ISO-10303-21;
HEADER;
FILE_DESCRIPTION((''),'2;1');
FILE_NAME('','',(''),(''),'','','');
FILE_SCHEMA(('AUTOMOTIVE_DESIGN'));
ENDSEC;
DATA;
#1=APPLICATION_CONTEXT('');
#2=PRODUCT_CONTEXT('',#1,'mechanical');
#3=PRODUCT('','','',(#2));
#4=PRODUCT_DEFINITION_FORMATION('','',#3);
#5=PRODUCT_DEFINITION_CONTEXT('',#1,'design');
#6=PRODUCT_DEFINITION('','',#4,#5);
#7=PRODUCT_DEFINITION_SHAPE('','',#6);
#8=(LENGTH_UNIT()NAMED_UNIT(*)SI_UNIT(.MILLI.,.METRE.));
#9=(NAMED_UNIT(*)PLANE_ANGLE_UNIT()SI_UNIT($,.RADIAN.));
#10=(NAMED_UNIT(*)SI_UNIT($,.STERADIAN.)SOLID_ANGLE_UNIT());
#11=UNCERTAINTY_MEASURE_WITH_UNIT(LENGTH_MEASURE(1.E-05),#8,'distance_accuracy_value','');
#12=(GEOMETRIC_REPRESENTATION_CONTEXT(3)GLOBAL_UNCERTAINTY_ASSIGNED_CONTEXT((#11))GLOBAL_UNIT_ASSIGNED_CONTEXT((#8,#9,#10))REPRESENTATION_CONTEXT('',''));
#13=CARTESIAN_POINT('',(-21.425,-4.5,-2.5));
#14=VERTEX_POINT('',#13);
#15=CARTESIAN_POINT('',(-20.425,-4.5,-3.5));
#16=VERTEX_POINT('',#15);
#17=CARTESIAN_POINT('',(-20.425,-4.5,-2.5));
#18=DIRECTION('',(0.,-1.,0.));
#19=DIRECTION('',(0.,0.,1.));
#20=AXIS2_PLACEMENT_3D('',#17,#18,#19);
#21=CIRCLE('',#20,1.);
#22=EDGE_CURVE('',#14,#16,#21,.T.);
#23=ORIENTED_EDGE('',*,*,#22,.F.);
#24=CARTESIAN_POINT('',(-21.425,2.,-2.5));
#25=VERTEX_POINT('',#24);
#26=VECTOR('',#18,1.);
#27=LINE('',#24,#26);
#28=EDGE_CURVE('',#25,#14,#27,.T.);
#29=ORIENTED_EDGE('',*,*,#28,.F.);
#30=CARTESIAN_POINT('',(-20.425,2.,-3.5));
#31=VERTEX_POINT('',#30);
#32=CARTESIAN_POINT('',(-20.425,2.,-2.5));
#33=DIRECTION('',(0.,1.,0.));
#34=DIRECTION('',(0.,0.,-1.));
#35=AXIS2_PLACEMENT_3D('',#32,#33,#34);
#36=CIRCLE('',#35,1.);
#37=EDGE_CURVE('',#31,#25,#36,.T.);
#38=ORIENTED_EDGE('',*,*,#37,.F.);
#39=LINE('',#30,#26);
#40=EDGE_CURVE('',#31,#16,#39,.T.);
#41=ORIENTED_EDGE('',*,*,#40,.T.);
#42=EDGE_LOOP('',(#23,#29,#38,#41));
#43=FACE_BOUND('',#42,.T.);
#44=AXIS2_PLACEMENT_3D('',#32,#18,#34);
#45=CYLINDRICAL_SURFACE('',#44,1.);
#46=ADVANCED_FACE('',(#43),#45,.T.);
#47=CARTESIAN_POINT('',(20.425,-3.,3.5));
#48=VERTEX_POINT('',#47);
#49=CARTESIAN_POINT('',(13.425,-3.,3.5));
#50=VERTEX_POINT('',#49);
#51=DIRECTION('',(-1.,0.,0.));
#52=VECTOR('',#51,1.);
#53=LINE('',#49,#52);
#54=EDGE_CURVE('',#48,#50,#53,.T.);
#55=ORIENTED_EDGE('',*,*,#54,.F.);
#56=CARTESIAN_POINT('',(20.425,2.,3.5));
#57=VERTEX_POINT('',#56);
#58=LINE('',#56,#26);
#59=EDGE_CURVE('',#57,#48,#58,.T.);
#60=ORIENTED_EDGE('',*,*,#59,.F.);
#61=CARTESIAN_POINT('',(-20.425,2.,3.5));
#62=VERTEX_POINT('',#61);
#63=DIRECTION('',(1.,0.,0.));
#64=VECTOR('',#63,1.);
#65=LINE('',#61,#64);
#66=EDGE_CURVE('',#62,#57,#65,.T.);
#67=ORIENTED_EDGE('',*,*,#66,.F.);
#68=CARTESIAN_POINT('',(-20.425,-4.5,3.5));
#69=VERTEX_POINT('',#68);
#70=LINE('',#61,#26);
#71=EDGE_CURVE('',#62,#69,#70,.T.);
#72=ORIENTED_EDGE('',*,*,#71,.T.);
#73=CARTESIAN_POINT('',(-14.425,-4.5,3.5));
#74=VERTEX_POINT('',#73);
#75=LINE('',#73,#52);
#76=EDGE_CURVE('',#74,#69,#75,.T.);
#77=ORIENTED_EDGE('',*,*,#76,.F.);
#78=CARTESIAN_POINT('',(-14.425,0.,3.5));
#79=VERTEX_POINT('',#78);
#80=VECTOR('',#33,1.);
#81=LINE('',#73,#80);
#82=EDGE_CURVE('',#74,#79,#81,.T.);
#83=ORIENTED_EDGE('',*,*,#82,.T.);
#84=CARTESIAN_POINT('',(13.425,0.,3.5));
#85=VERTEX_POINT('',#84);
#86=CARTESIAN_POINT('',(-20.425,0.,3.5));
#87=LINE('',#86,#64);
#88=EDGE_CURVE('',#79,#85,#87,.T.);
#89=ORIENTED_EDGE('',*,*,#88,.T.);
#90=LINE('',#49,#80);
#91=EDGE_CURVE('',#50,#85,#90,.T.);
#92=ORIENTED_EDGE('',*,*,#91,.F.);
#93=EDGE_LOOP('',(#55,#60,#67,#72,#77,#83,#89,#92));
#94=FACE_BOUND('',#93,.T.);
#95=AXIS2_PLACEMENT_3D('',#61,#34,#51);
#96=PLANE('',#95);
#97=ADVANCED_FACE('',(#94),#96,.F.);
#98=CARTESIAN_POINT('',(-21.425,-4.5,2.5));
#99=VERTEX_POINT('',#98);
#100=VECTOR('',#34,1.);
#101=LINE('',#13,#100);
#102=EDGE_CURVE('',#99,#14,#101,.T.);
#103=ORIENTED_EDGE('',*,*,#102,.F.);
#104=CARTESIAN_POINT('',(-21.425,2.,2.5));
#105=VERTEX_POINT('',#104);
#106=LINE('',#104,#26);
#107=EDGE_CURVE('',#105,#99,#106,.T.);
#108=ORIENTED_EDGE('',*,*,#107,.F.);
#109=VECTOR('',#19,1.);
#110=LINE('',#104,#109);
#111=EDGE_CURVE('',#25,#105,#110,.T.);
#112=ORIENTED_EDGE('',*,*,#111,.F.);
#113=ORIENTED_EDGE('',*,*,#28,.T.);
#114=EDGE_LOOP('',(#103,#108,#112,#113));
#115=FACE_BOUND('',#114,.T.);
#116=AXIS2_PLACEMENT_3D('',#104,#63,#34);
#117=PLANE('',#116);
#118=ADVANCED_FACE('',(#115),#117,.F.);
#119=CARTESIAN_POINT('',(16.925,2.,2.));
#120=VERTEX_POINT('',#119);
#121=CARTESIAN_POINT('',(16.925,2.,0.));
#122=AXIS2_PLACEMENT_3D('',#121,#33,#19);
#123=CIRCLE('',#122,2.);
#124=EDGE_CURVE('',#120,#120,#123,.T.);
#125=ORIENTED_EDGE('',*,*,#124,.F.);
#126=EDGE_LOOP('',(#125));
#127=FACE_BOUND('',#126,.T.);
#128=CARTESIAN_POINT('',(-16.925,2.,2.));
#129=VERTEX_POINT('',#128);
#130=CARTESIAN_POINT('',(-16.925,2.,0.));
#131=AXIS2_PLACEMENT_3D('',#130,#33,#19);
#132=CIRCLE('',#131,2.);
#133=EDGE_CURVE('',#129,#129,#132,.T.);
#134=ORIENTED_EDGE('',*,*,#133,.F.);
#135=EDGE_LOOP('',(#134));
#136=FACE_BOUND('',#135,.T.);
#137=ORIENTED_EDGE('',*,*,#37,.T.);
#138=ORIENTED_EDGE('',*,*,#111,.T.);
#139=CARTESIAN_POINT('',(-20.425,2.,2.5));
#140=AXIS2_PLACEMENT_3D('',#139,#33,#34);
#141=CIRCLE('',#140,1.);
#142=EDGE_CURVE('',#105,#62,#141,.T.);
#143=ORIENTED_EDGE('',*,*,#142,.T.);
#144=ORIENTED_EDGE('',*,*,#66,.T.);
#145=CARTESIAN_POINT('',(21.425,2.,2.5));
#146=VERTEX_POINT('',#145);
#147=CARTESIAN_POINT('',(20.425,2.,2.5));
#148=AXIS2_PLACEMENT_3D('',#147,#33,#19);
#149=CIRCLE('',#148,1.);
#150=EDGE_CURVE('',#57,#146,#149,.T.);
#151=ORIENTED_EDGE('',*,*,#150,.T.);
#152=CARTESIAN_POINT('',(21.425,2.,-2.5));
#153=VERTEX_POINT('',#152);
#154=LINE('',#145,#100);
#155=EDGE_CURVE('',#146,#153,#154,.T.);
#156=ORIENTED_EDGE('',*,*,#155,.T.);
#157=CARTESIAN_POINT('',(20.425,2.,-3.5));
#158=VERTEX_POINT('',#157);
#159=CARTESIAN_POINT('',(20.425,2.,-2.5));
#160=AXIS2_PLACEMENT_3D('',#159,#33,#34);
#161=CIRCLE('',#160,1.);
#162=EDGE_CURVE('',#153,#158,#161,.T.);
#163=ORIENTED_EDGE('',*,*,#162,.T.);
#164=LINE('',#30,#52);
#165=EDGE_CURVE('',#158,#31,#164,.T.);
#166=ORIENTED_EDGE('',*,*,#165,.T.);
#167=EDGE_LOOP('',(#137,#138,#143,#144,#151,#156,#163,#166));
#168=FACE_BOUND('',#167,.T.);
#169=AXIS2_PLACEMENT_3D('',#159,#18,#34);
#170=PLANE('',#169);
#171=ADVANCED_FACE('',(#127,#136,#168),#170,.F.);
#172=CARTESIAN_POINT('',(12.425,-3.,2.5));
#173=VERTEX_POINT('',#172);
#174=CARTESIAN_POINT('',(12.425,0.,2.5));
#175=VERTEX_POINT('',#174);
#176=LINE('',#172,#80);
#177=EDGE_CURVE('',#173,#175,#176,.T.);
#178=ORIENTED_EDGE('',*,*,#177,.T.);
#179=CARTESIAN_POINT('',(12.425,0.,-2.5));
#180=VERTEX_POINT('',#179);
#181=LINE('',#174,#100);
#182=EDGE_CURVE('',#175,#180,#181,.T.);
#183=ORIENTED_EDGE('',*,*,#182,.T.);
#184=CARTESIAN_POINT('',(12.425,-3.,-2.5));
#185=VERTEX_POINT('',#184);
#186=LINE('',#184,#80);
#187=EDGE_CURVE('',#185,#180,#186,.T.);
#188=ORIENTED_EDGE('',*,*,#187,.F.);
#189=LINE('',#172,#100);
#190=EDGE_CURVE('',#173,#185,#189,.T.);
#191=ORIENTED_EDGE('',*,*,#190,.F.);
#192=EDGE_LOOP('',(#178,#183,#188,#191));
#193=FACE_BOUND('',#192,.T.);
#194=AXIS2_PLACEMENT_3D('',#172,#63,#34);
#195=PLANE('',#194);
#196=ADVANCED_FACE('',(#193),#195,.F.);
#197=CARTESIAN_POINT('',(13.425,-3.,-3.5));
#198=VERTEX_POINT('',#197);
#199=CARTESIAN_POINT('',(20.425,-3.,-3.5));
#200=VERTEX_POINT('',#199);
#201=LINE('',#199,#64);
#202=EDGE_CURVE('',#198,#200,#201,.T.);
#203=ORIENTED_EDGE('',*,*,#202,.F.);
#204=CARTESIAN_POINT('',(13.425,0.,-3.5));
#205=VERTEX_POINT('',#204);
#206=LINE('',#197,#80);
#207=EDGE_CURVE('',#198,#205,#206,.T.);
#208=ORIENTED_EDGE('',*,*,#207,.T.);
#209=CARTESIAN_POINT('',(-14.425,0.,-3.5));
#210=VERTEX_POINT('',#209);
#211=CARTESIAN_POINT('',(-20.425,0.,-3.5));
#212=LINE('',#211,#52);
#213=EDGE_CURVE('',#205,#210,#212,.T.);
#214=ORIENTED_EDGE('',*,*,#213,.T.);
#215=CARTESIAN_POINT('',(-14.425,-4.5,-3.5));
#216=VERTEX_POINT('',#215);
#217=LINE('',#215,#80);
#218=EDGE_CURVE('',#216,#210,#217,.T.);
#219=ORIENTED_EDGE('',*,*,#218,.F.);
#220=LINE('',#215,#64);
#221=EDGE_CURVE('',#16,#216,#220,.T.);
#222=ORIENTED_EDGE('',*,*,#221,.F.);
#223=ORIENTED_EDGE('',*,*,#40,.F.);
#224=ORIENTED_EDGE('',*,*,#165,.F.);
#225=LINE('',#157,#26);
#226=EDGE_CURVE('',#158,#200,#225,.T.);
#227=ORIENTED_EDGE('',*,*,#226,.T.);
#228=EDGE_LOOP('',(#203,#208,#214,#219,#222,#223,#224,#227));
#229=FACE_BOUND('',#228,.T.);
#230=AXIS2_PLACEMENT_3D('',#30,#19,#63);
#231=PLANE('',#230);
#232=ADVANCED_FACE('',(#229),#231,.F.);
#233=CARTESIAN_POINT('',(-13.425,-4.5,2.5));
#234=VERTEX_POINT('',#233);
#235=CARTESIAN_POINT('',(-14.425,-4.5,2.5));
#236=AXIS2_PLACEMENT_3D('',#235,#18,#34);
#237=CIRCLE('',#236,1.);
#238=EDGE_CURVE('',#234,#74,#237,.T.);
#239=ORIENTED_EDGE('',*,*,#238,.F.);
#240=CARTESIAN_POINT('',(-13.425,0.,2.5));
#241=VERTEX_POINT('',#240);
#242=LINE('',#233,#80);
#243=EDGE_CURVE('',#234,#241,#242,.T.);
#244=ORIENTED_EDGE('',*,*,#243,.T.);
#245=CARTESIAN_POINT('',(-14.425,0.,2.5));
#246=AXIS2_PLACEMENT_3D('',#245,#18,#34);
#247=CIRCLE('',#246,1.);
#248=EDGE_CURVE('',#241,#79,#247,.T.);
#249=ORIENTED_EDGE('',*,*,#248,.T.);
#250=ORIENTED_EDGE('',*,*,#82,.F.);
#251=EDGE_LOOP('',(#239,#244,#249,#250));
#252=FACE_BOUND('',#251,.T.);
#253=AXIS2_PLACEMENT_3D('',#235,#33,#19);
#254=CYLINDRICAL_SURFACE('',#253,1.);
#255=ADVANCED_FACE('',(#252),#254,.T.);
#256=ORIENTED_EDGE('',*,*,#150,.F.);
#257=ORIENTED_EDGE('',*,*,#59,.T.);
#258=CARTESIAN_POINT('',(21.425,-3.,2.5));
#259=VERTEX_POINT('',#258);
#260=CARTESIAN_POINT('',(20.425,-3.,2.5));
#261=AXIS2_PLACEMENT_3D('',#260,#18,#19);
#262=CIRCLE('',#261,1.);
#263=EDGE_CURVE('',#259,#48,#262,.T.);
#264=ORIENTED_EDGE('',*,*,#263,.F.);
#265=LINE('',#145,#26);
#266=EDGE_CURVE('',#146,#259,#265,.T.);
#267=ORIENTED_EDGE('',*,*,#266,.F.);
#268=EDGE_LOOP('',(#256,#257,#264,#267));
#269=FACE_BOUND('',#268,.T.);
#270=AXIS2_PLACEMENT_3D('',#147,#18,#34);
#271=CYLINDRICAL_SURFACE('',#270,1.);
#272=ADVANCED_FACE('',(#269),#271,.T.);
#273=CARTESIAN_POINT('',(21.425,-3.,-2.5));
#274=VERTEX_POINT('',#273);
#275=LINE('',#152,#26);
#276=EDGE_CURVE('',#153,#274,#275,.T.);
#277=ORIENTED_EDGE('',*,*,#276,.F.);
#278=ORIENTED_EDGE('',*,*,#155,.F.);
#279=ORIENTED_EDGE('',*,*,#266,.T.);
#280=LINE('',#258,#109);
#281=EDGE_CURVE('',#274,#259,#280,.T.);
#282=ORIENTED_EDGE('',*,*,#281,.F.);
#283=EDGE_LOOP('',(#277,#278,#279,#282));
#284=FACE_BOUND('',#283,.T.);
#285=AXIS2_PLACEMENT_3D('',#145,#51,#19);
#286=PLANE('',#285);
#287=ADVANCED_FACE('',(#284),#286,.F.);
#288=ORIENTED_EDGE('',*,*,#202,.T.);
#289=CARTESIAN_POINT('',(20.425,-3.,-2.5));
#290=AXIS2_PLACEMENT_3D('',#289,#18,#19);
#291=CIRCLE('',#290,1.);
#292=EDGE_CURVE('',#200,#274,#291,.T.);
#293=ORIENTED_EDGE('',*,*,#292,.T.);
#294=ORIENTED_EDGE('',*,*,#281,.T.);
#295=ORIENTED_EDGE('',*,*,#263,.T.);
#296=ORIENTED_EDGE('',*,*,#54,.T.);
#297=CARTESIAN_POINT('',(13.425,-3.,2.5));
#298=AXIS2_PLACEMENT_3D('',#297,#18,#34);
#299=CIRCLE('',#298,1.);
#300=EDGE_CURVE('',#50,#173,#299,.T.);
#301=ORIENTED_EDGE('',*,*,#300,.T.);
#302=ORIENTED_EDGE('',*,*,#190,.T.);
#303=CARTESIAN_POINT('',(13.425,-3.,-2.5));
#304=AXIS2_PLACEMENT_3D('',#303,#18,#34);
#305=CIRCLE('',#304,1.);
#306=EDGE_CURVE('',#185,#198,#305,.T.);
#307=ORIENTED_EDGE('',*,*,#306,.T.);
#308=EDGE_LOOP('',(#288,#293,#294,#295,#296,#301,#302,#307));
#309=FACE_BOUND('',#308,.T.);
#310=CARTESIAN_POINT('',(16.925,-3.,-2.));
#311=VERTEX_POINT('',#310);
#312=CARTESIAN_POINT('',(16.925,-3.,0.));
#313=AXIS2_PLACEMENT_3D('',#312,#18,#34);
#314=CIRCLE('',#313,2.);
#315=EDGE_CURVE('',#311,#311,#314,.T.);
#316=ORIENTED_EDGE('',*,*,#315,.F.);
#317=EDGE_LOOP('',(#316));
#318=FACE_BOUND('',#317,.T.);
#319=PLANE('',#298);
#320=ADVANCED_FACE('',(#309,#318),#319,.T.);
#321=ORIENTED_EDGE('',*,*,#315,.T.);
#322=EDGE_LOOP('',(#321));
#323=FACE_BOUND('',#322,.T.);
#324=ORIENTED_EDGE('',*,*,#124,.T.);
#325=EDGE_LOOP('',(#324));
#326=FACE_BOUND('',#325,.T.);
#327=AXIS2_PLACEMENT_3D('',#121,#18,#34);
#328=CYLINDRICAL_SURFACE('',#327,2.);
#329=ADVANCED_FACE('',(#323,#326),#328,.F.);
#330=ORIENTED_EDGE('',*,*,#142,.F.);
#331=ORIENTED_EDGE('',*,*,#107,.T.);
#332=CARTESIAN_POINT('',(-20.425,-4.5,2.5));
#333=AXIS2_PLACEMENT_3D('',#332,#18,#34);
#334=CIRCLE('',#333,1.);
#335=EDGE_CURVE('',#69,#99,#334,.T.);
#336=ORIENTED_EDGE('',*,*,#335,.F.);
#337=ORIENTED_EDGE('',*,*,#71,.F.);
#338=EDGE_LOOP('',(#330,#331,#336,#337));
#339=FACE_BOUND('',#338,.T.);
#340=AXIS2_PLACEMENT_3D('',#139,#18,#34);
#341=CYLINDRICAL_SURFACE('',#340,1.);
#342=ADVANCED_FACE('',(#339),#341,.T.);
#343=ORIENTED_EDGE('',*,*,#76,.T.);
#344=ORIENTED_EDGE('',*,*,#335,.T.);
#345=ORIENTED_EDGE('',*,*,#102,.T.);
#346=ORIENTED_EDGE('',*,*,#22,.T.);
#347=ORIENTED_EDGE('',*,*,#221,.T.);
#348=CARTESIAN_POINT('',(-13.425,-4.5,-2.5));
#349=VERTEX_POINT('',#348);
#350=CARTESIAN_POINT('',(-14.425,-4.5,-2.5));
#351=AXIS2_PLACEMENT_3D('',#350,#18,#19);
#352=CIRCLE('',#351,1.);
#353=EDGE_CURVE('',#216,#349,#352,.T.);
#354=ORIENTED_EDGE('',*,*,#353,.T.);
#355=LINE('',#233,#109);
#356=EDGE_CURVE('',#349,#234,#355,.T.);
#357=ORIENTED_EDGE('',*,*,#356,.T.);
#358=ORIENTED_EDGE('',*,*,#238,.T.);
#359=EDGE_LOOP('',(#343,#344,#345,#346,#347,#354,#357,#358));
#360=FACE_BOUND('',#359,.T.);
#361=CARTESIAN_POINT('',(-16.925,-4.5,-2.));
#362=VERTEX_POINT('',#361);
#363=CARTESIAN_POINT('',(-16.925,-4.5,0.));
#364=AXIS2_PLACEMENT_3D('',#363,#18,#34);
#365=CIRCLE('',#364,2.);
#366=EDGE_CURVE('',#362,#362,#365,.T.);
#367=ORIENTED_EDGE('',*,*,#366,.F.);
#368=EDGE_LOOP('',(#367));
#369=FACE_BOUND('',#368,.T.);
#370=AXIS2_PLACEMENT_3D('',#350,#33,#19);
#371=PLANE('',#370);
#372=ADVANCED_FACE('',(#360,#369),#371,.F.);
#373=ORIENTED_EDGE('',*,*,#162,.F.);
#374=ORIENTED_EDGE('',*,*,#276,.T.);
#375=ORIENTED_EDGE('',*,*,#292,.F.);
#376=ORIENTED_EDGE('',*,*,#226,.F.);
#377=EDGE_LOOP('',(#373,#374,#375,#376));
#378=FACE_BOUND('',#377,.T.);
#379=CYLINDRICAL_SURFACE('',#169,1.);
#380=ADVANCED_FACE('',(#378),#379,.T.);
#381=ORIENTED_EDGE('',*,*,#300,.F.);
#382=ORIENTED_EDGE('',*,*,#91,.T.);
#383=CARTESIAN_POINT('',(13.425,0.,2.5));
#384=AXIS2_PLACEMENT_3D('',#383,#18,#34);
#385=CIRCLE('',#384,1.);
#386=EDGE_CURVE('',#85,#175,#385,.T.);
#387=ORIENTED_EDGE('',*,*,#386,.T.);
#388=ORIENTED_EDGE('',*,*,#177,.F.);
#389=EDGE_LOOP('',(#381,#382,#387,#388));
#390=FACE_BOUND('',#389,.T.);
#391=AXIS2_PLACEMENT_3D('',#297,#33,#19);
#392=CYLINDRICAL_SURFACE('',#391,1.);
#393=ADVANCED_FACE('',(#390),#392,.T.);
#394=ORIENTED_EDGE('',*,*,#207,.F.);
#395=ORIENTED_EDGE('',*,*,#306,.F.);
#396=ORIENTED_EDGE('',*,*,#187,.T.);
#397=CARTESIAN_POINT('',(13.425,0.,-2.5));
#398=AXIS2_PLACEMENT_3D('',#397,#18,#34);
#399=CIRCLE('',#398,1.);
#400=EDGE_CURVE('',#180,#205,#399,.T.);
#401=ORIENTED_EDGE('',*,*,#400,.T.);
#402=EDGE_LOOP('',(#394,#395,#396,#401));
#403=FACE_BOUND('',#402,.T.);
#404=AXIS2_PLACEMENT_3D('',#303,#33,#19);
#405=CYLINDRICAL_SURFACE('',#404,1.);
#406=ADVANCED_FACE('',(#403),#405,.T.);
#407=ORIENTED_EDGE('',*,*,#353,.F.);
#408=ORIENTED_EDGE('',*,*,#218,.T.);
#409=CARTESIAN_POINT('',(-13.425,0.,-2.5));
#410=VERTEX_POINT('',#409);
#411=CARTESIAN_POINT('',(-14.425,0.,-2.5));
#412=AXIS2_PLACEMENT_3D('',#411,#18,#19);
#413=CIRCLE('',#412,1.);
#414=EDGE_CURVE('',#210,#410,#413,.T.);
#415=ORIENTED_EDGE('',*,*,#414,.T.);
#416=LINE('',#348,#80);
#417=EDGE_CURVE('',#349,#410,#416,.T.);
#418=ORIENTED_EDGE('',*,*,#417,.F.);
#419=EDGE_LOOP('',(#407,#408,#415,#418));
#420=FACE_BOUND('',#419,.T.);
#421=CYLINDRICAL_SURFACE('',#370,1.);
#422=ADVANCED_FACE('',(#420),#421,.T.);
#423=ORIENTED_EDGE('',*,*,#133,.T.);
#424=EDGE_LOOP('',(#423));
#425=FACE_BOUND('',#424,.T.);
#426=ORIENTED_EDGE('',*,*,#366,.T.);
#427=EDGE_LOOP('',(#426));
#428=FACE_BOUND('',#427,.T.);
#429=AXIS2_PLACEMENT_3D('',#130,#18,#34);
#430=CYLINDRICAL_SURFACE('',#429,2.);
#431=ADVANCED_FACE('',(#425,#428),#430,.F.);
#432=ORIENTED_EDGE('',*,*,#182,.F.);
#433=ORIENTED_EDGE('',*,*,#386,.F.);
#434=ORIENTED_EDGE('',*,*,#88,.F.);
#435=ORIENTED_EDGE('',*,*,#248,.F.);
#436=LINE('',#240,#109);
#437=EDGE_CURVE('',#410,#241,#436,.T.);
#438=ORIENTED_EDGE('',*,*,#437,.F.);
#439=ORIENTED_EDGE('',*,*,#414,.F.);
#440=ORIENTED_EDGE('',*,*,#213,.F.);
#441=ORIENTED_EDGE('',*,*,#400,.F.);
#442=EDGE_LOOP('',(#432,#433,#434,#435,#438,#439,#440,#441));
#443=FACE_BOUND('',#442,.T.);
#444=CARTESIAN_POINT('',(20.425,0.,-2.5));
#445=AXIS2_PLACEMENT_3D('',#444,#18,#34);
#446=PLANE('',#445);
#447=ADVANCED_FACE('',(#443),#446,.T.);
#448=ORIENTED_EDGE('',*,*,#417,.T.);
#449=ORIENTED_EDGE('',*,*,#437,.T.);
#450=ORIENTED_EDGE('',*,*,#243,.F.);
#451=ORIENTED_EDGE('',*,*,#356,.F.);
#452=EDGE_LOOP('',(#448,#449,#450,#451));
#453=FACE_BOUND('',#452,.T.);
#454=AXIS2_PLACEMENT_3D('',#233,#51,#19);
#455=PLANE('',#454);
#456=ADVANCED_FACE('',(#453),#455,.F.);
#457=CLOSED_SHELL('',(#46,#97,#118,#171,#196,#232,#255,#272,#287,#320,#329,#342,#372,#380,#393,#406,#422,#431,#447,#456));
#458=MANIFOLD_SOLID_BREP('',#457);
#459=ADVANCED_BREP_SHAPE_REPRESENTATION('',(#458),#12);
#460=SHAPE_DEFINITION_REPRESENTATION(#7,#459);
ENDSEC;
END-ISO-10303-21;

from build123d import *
from build123d.topology import SkipClean

# Parameters (mm, degrees)
SKETCH1_R           = 2
BOSS_EXTRUDE1_DEPTH = 2
BOSS_EXTRUDE2_START = 4.5
SKETCH2_R           = 2
BOSS_EXTRUDE2_DEPTH = 4.5
BOSS_EXTRUDE3_START = 3
SKETCH3_R           = 2
BOSS_EXTRUDE3_DEPTH = 3


with BuildPart() as part:
    # Sketch1 → Boss-Extrude1 (new body)
    with BuildSketch(Plane(origin=(0, 0, 0), x_dir=(1, 0, 0), z_dir=(0, 1, 0))):
        with BuildLine():
            Line((-20.425, -3.5), (20.425, -3.5))
            ThreePointArc((20.425, -3.5), (21.132106781, -3.207106781), (21.425, -2.5))
            Line((21.425, -2.5), (21.425, 2.5))
            ThreePointArc((21.425, 2.5), (21.132106781, 3.207106781), (20.425, 3.5))
            Line((20.425, 3.5), (-20.425, 3.5))
            ThreePointArc((-20.425, 3.5), (-21.132106781, 3.207106781), (-21.425, 2.5))
            Line((-21.425, 2.5), (-21.425, -2.5))
            ThreePointArc((-21.425, -2.5), (-21.132106781, -3.207106781), (-20.425, -3.5))
        make_face()
        with Locations(Location((-16.925, 0, 0), (0, 0, 270))):
            Circle(SKETCH1_R, mode=Mode.SUBTRACT)
        with Locations(Location((16.925, 0, 0), (0, 0, 270))):
            Circle(SKETCH1_R, mode=Mode.SUBTRACT)
    extrude(amount=BOSS_EXTRUDE1_DEPTH)

    # Sketch2 → Boss-Extrude2 (add)
    with SkipClean():  # the faces are left unmerged after this step: merging them gives an invalid solid
        with BuildSketch(Plane.XZ.offset(BOSS_EXTRUDE2_START)):
            with BuildLine():
                Line((-14.425, -3.5), (-20.425, -3.5))
                ThreePointArc((-20.425, -3.5), (-21.132106781, -3.207106781), (-21.425, -2.5))
                Line((-21.425, -2.5), (-21.425, 2.5))
                ThreePointArc((-21.425, 2.5), (-21.132106781, 3.207106781), (-20.425, 3.5))
                Line((-20.425, 3.5), (-14.425, 3.5))
                ThreePointArc((-14.425, 3.5), (-13.717893219, 3.207106781), (-13.425, 2.5))
                Line((-13.425, 2.5), (-13.425, -2.5))
                ThreePointArc((-13.425, -2.5), (-13.717893219, -3.207106781), (-14.425, -3.5))
            make_face()
            with Locations(Location((-16.925, 0, 0), (0, 0, 270))):
                Circle(SKETCH2_R, mode=Mode.SUBTRACT)
        extrude(amount=-BOSS_EXTRUDE2_DEPTH)

    # Sketch3 → Boss-Extrude3 (add)
    with SkipClean():  # the faces are left unmerged after this step: merging them gives an invalid solid
        with BuildSketch(Plane.XZ.offset(BOSS_EXTRUDE3_START)):
            with BuildLine():
                Line((13.425, 3.5), (20.425, 3.5))
                ThreePointArc((20.425, 3.5), (21.132106781, 3.207106781), (21.425, 2.5))
                Line((21.425, 2.5), (21.425, -2.5))
                ThreePointArc((21.425, -2.5), (21.132106781, -3.207106781), (20.425, -3.5))
                Line((20.425, -3.5), (13.425, -3.5))
                ThreePointArc((13.425, -3.5), (12.717893219, -3.207106781), (12.425, -2.5))
                Line((12.425, -2.5), (12.425, 2.5))
                ThreePointArc((12.425, 2.5), (12.717893219, 3.207106781), (13.425, 3.5))
            make_face()
            with Locations(Location((16.925, 0, 0), (0, 0, 270))):
                Circle(SKETCH3_R, mode=Mode.SUBTRACT)
        extrude(amount=-BOSS_EXTRUDE3_DEPTH)


solid = part.part
